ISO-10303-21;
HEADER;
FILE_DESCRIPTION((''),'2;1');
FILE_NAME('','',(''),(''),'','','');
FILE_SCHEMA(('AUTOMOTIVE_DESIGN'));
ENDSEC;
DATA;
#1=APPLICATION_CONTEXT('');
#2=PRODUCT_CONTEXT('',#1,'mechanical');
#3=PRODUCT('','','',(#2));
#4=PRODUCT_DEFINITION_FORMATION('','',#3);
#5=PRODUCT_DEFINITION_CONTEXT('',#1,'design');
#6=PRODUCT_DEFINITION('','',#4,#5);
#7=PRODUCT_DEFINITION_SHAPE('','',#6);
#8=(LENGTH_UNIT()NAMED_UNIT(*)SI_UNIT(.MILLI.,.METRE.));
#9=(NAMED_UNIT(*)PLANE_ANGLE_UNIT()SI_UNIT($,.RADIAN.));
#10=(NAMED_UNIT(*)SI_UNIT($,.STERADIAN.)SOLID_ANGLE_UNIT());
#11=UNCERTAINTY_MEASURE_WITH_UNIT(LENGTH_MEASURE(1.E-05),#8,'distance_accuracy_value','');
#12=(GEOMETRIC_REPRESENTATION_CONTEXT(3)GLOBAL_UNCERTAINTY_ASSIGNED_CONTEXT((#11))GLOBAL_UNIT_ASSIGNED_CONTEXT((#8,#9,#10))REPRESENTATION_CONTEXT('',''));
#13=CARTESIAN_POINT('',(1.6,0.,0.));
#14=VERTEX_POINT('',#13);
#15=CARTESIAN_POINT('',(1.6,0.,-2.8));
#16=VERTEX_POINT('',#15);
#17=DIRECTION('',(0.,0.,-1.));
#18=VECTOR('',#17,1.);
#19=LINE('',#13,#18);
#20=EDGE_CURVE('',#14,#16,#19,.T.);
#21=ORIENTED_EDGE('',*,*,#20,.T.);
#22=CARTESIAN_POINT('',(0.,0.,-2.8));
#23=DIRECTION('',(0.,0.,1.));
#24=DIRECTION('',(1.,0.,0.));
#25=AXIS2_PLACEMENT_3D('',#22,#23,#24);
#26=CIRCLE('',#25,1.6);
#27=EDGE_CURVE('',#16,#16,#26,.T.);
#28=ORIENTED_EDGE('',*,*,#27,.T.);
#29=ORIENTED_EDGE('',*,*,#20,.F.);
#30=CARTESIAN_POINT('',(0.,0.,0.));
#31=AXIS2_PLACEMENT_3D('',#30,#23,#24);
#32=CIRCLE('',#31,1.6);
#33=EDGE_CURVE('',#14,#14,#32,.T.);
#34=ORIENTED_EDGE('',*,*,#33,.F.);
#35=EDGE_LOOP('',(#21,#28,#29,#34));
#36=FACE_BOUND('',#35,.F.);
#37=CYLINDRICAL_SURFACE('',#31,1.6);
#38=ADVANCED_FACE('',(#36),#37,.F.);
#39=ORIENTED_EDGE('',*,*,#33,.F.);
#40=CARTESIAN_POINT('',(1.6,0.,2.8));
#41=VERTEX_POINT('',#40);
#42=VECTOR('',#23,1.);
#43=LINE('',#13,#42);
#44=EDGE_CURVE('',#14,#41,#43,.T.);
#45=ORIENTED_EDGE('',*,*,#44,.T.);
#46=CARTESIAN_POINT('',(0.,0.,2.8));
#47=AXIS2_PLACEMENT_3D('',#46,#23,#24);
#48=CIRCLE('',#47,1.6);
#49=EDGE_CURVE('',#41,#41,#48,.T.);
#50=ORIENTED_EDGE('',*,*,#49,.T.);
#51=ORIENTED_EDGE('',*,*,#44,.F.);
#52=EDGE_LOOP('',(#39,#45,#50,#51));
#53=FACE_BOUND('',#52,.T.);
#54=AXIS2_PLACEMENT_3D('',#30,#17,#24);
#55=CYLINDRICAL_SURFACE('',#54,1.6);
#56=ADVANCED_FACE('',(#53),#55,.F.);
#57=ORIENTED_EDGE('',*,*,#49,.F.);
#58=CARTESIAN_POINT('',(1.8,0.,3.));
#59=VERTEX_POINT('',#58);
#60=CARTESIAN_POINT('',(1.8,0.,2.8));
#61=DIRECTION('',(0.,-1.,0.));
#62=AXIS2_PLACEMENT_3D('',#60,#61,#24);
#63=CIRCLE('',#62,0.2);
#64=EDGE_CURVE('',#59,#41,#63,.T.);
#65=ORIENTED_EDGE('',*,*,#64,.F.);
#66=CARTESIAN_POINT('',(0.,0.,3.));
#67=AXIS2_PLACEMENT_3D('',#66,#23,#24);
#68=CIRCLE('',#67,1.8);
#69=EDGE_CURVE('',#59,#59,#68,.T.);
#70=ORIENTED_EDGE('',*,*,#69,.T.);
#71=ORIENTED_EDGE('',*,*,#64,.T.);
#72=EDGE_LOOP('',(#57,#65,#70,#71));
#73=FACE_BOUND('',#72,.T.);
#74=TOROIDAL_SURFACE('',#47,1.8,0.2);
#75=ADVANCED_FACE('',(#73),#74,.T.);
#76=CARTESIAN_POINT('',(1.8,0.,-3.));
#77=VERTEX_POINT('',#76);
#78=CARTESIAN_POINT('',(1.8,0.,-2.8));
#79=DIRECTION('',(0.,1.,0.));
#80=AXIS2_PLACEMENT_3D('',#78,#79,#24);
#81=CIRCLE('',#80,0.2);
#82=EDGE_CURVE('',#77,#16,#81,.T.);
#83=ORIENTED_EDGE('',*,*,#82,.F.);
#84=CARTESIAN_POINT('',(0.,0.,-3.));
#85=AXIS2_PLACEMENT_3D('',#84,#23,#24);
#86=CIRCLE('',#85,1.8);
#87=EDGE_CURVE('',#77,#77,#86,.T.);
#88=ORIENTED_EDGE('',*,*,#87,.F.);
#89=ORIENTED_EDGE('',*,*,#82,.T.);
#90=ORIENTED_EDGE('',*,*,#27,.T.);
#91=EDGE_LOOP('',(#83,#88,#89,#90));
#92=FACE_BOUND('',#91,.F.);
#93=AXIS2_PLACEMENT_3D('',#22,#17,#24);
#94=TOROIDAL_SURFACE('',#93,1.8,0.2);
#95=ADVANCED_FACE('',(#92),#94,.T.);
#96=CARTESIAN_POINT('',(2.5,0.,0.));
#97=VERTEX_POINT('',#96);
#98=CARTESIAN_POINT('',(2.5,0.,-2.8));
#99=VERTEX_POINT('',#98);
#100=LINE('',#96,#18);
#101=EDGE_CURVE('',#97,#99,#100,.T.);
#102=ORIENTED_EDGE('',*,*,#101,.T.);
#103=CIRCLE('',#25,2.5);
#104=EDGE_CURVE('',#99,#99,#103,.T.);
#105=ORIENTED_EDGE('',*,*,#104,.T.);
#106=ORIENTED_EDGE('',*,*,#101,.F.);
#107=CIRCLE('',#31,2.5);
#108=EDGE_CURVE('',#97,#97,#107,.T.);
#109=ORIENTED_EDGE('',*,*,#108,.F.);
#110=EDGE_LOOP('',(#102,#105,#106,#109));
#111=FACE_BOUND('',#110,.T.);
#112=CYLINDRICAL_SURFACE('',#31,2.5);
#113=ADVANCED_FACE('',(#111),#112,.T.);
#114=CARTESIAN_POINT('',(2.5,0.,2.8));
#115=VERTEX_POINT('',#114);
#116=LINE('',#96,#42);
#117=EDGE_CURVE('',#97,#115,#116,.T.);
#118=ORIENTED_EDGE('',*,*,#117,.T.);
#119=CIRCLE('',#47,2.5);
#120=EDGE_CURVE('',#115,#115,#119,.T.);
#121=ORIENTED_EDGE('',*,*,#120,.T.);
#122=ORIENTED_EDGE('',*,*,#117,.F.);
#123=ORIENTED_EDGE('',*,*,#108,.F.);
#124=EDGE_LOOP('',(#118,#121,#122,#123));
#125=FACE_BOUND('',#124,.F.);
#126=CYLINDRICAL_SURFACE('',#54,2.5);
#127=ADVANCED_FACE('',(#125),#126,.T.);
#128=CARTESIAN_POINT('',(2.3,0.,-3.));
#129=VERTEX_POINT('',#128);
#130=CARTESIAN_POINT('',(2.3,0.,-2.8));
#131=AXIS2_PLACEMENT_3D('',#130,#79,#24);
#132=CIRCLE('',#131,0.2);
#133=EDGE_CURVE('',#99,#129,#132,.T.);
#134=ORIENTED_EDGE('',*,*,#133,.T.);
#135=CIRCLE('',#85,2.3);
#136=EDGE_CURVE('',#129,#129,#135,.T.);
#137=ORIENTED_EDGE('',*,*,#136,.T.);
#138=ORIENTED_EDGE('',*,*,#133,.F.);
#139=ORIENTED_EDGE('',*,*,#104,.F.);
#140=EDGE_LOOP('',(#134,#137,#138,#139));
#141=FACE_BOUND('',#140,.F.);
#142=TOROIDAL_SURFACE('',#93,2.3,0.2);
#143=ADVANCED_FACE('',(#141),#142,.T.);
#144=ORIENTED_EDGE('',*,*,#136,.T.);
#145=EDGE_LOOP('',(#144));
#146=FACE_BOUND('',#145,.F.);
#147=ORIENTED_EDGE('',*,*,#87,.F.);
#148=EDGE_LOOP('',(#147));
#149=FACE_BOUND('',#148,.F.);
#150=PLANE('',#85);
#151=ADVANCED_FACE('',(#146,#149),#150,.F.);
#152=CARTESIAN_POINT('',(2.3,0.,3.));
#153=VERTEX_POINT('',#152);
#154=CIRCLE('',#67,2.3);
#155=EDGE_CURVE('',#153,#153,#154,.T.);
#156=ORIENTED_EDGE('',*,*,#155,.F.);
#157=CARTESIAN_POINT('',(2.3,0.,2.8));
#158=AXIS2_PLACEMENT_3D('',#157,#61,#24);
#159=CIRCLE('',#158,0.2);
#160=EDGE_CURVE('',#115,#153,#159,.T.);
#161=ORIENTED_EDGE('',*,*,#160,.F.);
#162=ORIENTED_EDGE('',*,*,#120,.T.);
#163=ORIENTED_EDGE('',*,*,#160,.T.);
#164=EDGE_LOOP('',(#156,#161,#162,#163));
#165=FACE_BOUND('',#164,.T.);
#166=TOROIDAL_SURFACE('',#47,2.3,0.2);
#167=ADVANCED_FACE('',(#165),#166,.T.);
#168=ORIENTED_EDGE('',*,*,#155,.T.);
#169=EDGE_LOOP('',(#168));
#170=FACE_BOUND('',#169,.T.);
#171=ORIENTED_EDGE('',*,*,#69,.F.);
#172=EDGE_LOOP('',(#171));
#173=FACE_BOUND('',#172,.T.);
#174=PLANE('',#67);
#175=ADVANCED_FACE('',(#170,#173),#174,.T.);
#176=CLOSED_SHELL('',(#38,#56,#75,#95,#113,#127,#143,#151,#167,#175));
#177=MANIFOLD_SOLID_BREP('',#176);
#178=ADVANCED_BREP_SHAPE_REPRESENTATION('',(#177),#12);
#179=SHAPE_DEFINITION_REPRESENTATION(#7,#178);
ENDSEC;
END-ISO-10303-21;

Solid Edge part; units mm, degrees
sketch "Sketch1" plane through (0, 0, 0) normal (0, 0, 1) x (1, 0, 0)
  circle A0 centre (0, 0) radius 2.5
  circle A1 centre (0, 0) radius 1.6
  dimension "D1" = 3.2
  dimension "D2" = 5
extrude "ExtrudedProtrusion_1" add sketch "Sketch1" along normal mid plane 6
fillet "Round_1" radius 0.2 4 edges at (-1.6, 0, 3) (-2.5, 0, 3) (-1.6, 0, -3) (-2.5, 0, -3)
properties material "Acrylic, high impact grade"
